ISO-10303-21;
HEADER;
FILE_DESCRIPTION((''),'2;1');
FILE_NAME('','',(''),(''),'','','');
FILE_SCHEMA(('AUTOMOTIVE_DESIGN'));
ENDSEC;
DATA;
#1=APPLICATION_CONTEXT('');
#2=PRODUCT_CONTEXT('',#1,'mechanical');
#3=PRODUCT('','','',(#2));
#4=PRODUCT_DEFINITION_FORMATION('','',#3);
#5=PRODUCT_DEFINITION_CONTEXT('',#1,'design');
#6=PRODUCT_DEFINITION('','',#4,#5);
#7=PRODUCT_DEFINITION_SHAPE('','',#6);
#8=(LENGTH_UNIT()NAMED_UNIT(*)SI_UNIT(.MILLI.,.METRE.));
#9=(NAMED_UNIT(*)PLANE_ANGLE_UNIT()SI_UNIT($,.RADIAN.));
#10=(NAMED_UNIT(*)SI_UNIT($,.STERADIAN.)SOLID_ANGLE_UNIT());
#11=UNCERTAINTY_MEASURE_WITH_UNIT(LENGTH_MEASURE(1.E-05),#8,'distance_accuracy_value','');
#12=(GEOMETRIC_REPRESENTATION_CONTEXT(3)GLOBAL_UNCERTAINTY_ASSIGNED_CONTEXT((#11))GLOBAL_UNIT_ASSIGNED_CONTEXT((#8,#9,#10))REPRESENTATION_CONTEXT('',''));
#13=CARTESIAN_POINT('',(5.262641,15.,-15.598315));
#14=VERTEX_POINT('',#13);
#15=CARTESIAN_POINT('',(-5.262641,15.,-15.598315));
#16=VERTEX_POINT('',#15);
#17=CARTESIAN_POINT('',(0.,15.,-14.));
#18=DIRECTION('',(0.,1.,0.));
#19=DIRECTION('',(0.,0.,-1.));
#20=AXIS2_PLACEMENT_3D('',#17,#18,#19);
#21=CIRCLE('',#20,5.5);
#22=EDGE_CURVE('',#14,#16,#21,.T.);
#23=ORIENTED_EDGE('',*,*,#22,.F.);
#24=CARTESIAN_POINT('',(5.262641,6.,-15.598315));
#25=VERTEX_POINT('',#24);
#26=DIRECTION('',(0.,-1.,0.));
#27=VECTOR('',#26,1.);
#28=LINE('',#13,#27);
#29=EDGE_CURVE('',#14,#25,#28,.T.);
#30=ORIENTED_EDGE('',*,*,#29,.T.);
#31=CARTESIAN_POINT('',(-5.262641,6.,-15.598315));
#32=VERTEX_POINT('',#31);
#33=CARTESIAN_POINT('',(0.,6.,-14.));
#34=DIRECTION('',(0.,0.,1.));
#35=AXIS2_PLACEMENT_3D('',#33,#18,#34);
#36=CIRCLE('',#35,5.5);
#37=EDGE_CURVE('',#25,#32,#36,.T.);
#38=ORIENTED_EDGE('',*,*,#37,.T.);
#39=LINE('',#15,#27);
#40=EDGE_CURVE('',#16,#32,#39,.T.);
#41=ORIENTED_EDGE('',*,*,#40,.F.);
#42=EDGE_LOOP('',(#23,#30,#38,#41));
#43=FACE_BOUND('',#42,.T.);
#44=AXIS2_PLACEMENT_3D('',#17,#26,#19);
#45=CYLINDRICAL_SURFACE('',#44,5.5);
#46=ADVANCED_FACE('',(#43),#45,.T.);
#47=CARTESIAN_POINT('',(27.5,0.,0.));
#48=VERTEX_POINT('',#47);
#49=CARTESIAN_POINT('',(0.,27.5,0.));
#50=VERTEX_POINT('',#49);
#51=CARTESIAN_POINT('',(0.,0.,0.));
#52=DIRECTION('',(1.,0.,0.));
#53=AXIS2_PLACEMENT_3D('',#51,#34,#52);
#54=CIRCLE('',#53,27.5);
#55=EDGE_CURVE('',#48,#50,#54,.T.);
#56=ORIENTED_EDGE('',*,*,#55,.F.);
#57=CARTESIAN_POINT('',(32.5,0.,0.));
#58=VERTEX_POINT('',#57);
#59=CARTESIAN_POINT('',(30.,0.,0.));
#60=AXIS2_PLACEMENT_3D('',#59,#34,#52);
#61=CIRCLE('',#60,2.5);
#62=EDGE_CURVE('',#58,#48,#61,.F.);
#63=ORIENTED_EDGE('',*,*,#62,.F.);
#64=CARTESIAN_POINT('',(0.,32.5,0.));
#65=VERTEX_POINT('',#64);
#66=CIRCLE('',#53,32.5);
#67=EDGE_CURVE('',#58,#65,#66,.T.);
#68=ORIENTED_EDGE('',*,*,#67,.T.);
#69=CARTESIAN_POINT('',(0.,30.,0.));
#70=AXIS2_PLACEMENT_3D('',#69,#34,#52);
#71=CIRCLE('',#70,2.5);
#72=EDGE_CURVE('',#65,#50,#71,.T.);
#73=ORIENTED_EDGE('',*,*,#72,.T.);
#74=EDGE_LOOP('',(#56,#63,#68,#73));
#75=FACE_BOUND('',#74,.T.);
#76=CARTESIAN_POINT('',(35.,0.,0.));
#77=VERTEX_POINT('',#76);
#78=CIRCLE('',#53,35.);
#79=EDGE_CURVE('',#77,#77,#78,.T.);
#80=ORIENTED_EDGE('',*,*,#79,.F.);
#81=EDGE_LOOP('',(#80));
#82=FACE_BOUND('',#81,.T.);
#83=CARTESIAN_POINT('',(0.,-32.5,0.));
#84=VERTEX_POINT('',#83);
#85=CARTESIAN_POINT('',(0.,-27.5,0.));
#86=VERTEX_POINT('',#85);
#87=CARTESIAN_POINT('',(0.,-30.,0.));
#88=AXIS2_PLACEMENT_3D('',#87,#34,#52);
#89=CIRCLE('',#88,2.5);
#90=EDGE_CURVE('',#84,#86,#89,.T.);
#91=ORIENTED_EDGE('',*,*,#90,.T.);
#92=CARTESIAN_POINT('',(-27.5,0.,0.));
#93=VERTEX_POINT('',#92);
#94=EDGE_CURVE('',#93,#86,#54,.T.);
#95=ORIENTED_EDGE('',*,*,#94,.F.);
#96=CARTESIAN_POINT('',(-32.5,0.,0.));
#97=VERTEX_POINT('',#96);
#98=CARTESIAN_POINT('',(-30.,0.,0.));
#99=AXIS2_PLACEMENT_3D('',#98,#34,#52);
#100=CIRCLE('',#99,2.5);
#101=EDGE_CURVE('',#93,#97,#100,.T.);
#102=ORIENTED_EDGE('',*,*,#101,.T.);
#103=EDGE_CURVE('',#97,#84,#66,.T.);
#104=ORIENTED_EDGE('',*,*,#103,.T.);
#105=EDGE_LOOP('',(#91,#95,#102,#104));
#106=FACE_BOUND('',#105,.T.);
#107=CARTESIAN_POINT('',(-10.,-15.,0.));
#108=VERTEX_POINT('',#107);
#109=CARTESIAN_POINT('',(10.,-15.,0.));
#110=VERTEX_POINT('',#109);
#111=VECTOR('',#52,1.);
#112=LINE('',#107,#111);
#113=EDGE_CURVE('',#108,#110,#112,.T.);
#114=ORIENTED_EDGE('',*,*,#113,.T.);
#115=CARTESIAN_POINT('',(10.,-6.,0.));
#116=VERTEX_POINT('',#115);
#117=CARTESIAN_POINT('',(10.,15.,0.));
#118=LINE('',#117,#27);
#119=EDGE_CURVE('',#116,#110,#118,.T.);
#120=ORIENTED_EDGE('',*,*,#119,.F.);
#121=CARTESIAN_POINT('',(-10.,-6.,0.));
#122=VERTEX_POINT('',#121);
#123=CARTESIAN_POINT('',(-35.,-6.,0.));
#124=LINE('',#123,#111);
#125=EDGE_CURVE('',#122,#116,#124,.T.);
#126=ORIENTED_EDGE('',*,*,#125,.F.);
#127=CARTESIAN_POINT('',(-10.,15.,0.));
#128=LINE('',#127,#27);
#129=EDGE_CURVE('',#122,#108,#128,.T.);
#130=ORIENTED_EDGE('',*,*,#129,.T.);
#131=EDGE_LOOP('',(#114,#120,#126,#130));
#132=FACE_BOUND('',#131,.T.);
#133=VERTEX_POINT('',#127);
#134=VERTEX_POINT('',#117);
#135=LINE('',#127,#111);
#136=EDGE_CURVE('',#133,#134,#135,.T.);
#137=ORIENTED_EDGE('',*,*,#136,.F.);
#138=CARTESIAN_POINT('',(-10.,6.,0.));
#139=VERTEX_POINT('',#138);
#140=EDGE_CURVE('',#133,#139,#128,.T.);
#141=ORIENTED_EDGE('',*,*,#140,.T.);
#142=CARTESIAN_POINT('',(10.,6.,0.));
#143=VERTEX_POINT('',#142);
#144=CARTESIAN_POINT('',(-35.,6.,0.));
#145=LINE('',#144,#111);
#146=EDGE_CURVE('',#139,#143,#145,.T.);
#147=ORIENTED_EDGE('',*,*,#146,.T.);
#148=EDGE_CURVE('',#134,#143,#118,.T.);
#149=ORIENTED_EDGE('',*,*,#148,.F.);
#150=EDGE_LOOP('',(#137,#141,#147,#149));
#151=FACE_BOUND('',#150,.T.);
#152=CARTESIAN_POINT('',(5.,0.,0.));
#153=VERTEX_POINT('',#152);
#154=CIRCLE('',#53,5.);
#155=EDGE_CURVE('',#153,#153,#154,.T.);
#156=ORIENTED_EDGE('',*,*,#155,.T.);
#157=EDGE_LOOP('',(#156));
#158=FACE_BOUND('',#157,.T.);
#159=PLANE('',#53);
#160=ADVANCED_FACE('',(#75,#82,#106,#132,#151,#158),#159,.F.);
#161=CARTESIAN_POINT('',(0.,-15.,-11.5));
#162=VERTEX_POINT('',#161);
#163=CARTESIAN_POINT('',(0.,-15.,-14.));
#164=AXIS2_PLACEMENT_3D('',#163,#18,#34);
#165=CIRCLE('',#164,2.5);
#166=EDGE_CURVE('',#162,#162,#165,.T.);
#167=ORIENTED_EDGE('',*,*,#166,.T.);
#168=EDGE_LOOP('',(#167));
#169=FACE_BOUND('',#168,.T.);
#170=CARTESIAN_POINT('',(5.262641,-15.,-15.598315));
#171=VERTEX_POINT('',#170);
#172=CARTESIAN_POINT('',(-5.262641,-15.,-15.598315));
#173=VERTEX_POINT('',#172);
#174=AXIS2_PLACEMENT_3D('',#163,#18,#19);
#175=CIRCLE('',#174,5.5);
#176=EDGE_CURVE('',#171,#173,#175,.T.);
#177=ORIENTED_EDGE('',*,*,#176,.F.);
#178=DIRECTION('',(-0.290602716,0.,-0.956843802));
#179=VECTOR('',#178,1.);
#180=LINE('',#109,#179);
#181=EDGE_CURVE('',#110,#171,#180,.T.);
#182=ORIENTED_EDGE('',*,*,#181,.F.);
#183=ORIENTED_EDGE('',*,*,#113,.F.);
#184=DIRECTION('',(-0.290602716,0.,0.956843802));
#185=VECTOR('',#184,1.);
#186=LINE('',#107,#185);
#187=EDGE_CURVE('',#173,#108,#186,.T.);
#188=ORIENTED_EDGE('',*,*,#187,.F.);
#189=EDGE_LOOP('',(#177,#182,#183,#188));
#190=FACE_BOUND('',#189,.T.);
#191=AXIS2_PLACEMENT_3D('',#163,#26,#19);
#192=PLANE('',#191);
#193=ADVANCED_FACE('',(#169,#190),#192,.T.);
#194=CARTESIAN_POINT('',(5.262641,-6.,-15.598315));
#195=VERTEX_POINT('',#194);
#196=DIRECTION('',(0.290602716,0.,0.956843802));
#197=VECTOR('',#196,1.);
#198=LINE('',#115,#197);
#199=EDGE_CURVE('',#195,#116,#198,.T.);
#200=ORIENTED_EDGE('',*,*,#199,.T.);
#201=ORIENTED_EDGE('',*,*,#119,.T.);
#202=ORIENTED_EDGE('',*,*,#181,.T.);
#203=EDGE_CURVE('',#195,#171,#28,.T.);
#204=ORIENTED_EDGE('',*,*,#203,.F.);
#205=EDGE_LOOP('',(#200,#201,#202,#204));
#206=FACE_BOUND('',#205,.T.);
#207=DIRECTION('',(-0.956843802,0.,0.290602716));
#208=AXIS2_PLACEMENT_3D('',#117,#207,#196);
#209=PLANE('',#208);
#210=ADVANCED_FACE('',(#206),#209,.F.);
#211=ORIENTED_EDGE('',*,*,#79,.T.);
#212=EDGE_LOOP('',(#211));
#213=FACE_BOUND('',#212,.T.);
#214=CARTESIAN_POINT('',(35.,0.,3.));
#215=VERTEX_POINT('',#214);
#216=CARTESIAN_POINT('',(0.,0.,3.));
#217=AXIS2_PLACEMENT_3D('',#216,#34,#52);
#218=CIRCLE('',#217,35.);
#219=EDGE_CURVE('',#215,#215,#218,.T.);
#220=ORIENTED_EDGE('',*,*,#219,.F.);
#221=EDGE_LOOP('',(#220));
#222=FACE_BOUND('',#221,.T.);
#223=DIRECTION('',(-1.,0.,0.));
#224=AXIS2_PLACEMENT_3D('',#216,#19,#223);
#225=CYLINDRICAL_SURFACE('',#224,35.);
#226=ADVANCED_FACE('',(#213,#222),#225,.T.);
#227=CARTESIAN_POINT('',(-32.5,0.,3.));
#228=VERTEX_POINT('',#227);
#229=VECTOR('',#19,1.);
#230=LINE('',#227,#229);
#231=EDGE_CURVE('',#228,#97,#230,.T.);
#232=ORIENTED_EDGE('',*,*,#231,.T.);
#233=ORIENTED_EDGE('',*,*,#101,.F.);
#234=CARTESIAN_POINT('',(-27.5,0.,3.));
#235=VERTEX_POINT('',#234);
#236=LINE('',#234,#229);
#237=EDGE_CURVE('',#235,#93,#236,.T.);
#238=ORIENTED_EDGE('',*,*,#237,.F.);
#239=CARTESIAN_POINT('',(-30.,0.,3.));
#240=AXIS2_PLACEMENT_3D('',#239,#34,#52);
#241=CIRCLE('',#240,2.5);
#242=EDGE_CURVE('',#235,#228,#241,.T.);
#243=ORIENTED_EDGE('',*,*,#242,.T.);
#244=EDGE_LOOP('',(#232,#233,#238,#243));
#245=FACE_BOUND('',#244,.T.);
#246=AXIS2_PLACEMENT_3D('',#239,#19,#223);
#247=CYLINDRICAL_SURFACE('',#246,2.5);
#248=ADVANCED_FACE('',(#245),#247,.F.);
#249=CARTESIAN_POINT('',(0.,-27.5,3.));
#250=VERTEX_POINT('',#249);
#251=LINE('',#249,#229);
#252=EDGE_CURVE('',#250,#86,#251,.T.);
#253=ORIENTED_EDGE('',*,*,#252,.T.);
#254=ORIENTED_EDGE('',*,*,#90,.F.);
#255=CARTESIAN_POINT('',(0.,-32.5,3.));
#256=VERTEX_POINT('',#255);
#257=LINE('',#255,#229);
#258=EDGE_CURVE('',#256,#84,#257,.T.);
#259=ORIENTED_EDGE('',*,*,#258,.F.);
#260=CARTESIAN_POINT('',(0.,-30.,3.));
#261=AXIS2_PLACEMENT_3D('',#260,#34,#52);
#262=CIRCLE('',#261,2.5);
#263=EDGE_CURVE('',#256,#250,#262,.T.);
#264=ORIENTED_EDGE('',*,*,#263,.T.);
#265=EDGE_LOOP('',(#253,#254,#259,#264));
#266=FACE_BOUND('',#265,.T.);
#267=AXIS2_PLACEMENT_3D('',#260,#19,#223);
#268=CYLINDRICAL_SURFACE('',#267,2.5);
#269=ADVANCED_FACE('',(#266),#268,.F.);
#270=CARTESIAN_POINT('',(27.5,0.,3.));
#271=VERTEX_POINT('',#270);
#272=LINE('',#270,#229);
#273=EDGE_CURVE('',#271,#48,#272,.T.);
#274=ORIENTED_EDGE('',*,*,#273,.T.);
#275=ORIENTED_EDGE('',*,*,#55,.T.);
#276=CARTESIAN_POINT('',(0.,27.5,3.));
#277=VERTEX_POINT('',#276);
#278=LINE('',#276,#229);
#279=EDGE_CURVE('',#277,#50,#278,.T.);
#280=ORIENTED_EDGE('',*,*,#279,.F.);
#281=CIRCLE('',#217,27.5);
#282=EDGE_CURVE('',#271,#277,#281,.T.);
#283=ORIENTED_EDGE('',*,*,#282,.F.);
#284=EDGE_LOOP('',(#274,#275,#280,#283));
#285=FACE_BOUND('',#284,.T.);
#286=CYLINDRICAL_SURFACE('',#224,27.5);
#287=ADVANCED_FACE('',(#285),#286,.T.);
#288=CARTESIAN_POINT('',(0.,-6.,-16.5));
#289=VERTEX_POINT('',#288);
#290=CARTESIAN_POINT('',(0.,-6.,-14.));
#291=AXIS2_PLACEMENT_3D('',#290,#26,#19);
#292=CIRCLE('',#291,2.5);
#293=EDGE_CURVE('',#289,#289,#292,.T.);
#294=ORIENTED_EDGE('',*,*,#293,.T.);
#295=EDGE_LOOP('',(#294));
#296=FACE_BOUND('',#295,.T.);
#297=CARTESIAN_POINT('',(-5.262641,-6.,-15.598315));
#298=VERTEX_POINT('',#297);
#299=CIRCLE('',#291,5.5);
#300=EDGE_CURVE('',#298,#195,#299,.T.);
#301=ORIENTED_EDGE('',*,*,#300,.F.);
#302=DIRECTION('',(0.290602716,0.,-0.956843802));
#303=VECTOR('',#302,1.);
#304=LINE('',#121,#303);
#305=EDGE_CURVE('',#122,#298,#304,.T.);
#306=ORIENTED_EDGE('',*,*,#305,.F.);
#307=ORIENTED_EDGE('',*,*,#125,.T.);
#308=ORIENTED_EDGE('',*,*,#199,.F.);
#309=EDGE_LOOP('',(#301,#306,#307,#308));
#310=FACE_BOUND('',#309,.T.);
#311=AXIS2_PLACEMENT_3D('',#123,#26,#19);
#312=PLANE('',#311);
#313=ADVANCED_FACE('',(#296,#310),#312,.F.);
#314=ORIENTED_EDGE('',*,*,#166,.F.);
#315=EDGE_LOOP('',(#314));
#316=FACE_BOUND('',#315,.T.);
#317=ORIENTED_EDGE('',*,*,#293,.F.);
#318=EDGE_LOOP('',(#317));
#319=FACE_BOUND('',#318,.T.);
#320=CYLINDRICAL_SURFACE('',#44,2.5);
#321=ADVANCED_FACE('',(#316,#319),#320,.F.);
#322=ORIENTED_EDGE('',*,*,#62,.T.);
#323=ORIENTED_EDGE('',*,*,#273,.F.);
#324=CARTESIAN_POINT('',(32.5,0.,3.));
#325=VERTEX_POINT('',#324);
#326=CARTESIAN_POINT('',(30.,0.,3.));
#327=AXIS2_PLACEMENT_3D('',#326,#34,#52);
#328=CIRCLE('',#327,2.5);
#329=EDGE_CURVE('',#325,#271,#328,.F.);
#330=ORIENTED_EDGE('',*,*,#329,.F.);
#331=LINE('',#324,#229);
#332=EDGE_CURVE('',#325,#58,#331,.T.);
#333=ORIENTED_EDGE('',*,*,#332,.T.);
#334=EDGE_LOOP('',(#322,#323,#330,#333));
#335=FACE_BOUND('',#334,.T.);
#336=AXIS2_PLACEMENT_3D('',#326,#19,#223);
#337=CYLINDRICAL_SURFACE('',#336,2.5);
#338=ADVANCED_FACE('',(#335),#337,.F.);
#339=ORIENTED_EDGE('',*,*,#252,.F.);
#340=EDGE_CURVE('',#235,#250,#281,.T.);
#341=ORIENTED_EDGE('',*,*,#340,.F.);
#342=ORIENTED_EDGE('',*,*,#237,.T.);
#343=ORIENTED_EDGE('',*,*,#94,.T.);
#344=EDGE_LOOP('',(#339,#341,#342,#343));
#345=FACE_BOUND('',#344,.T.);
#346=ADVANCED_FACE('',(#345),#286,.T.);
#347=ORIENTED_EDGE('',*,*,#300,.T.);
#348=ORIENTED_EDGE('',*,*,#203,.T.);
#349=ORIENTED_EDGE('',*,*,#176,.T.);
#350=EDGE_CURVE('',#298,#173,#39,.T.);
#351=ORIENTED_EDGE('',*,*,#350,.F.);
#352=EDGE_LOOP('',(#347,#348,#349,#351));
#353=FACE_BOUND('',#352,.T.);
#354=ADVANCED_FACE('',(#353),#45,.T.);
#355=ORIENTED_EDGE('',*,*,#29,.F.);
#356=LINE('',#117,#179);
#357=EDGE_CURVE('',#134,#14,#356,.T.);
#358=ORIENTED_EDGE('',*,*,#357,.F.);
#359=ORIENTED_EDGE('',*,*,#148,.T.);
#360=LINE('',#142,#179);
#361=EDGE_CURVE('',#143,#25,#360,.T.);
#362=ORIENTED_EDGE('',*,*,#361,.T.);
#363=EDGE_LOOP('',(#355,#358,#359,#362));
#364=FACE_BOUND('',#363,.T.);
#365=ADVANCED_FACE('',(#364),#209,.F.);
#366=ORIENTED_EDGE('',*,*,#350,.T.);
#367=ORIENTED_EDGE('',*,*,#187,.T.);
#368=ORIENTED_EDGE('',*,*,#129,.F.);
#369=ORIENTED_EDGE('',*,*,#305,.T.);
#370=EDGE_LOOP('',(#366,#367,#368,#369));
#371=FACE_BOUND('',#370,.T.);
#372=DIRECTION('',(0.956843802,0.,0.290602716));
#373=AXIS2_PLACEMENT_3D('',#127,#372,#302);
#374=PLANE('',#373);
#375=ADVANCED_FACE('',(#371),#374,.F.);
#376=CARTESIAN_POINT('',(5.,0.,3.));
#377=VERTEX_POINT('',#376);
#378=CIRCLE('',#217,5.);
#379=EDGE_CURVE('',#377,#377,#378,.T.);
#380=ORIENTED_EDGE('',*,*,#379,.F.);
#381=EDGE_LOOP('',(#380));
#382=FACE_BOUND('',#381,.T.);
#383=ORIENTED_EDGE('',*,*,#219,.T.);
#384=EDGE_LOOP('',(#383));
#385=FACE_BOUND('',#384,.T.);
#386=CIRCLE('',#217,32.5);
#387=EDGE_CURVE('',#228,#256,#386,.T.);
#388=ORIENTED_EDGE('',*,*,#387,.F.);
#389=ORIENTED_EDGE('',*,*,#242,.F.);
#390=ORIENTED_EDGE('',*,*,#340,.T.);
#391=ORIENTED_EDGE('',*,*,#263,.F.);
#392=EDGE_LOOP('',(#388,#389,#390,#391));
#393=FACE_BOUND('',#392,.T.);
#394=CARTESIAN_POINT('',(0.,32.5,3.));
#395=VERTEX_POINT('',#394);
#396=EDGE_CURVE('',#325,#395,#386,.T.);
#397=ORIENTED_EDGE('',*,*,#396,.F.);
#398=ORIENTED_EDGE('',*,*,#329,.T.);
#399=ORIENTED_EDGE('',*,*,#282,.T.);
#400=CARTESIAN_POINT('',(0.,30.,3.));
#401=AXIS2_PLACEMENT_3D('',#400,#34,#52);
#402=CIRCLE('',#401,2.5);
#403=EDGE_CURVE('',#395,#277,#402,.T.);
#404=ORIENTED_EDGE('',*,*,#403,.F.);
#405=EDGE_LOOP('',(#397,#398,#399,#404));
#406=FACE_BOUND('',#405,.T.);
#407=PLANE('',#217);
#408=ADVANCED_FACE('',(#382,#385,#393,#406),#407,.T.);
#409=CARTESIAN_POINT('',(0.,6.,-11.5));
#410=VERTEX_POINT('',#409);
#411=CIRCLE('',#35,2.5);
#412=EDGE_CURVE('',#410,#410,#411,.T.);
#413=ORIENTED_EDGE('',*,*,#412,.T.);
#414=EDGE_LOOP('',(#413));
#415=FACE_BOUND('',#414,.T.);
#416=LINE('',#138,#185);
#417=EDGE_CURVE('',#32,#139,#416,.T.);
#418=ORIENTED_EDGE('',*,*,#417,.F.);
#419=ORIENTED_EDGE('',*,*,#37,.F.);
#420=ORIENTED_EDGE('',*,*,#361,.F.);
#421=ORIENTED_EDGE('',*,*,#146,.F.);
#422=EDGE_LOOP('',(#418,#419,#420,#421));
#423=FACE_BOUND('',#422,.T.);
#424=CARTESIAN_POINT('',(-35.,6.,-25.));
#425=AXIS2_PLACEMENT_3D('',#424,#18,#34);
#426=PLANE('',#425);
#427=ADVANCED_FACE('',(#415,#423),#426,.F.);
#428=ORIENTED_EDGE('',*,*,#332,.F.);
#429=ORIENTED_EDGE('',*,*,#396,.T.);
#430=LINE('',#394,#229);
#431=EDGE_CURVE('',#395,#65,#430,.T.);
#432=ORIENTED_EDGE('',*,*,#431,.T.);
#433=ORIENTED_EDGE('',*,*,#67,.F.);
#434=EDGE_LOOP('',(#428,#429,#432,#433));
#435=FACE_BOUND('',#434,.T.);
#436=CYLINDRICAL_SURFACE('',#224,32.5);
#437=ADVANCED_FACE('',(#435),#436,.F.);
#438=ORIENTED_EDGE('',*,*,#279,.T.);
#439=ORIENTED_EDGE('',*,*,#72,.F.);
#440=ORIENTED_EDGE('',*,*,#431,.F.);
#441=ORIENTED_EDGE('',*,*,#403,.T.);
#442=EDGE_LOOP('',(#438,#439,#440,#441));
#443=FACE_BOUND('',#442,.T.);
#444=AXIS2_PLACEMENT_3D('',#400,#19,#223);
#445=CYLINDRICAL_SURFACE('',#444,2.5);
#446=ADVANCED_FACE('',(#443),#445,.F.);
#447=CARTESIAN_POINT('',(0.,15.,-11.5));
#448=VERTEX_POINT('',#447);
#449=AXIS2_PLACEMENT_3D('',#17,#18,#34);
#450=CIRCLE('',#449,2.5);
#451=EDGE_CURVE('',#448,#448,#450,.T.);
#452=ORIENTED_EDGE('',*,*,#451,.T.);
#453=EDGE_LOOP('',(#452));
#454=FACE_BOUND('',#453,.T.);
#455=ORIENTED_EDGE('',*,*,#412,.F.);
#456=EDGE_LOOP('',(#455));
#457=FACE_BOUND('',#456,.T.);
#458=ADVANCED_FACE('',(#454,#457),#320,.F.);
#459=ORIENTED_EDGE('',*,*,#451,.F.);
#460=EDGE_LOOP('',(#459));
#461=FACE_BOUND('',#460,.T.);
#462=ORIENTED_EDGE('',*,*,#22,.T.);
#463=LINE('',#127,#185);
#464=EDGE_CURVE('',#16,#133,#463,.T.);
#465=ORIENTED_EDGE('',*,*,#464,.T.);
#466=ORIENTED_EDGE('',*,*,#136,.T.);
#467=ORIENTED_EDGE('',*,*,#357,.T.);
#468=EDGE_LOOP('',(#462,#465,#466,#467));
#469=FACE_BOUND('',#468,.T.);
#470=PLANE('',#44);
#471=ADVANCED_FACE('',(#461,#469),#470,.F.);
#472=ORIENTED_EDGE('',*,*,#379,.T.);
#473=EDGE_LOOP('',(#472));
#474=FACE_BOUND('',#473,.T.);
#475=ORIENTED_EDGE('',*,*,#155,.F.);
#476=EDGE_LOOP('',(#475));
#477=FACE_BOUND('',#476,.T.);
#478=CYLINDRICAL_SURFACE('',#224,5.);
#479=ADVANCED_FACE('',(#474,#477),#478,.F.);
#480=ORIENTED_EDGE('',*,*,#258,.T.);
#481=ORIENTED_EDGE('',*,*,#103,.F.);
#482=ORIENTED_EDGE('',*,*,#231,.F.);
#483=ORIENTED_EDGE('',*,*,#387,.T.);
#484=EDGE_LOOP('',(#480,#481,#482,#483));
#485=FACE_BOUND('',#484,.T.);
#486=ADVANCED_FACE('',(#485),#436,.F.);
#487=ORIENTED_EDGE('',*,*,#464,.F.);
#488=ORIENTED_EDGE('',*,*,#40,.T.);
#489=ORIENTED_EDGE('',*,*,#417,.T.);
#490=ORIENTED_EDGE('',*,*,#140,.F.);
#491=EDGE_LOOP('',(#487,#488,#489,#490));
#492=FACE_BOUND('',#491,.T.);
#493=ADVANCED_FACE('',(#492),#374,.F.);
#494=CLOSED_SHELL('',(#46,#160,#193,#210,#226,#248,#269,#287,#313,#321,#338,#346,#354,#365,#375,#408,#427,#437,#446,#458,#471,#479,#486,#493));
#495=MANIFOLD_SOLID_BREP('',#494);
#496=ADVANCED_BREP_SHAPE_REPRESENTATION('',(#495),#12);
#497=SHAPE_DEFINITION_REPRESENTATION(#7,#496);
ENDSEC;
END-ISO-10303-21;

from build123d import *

# Parameters (mm, degrees)
SKETCH_5_R               = 2.5
EXTRUDE_3_DEPTH          = 15
SKETCH_1_R               = 35
SKETCH_1_R_2             = 5
EXTRUDE_4_DEPTH          = 3
CUT_EXTRUDE_1_DEPTH      = 54.200093985
CUT_EXTRUDE_1_DEPTH_BACK = 54.200093985
SKETCH_4_W               = 25
SKETCH_4_H               = 12


with BuildPart() as part:
    # 스케치5 → 보스-돌출3 (new, symmetric)
    with BuildSketch(Plane(origin=(0, 0, 0), x_dir=(1, 0, 0), z_dir=(0, 1, 0))):
        with BuildLine():
            Line((-10, 0), (10, 0))
            Line((10, 0), (5.262640911, 15.598314937))
            ThreePointArc((5.262640911, 15.598314937), (0, 19.5), (-5.262640911, 15.598314937))
            Line((-5.262640911, 15.598314937), (-10, 0))
        make_face()
        with Locations(Location((0, 14, 0), (0, 0, 270))):
            Circle(SKETCH_5_R, mode=Mode.SUBTRACT)
    extrude(amount=EXTRUDE_3_DEPTH, both=True)

    # 스케치1 → 보스-돌출4 (add)
    with BuildSketch(Plane.XY):
        Circle(SKETCH_1_R)
        with BuildLine():
            ThreePointArc((32.5, 0), (30, -2.5), (27.5, 0))
            ThreePointArc((27.5, 0), (19.445436483, 19.445436483), (0, 27.5))
            ThreePointArc((0, 27.5), (-2.5, 30), (0, 32.5))
            ThreePointArc((0, 32.5), (22.980970389, 22.980970389), (32.5, 0))
        make_face(mode=Mode.SUBTRACT)
        with BuildLine():
            ThreePointArc((0, -27.5), (2.5, -30), (0, -32.5))
            ThreePointArc((0, -32.5), (-22.980970405, -22.980970372), (-32.5, 4.6e-08))
            ThreePointArc((-32.5, 4.6e-08), (-29.999999977, 2.5), (-27.5, 0))
            ThreePointArc((-27.5, 0), (-19.445436483, -19.445436483), (0, -27.5))
        make_face(mode=Mode.SUBTRACT)
        Circle(SKETCH_1_R_2, mode=Mode.SUBTRACT)
    extrude(amount=EXTRUDE_4_DEPTH)

    # 스케치4 → 컷-돌출1 (cut, two sides: drawn at the far end of the back side and taken through both)
    with BuildSketch(Plane(origin=(0, 0, 0), x_dir=(0, 0, -1), z_dir=(1, 0, 0)).offset(-CUT_EXTRUDE_1_DEPTH_BACK)):
        with Locations((12.5, 0)):
            Rectangle(SKETCH_4_W, SKETCH_4_H)
    extrude(amount=CUT_EXTRUDE_1_DEPTH + CUT_EXTRUDE_1_DEPTH_BACK, mode=Mode.SUBTRACT)


solid = part.part
